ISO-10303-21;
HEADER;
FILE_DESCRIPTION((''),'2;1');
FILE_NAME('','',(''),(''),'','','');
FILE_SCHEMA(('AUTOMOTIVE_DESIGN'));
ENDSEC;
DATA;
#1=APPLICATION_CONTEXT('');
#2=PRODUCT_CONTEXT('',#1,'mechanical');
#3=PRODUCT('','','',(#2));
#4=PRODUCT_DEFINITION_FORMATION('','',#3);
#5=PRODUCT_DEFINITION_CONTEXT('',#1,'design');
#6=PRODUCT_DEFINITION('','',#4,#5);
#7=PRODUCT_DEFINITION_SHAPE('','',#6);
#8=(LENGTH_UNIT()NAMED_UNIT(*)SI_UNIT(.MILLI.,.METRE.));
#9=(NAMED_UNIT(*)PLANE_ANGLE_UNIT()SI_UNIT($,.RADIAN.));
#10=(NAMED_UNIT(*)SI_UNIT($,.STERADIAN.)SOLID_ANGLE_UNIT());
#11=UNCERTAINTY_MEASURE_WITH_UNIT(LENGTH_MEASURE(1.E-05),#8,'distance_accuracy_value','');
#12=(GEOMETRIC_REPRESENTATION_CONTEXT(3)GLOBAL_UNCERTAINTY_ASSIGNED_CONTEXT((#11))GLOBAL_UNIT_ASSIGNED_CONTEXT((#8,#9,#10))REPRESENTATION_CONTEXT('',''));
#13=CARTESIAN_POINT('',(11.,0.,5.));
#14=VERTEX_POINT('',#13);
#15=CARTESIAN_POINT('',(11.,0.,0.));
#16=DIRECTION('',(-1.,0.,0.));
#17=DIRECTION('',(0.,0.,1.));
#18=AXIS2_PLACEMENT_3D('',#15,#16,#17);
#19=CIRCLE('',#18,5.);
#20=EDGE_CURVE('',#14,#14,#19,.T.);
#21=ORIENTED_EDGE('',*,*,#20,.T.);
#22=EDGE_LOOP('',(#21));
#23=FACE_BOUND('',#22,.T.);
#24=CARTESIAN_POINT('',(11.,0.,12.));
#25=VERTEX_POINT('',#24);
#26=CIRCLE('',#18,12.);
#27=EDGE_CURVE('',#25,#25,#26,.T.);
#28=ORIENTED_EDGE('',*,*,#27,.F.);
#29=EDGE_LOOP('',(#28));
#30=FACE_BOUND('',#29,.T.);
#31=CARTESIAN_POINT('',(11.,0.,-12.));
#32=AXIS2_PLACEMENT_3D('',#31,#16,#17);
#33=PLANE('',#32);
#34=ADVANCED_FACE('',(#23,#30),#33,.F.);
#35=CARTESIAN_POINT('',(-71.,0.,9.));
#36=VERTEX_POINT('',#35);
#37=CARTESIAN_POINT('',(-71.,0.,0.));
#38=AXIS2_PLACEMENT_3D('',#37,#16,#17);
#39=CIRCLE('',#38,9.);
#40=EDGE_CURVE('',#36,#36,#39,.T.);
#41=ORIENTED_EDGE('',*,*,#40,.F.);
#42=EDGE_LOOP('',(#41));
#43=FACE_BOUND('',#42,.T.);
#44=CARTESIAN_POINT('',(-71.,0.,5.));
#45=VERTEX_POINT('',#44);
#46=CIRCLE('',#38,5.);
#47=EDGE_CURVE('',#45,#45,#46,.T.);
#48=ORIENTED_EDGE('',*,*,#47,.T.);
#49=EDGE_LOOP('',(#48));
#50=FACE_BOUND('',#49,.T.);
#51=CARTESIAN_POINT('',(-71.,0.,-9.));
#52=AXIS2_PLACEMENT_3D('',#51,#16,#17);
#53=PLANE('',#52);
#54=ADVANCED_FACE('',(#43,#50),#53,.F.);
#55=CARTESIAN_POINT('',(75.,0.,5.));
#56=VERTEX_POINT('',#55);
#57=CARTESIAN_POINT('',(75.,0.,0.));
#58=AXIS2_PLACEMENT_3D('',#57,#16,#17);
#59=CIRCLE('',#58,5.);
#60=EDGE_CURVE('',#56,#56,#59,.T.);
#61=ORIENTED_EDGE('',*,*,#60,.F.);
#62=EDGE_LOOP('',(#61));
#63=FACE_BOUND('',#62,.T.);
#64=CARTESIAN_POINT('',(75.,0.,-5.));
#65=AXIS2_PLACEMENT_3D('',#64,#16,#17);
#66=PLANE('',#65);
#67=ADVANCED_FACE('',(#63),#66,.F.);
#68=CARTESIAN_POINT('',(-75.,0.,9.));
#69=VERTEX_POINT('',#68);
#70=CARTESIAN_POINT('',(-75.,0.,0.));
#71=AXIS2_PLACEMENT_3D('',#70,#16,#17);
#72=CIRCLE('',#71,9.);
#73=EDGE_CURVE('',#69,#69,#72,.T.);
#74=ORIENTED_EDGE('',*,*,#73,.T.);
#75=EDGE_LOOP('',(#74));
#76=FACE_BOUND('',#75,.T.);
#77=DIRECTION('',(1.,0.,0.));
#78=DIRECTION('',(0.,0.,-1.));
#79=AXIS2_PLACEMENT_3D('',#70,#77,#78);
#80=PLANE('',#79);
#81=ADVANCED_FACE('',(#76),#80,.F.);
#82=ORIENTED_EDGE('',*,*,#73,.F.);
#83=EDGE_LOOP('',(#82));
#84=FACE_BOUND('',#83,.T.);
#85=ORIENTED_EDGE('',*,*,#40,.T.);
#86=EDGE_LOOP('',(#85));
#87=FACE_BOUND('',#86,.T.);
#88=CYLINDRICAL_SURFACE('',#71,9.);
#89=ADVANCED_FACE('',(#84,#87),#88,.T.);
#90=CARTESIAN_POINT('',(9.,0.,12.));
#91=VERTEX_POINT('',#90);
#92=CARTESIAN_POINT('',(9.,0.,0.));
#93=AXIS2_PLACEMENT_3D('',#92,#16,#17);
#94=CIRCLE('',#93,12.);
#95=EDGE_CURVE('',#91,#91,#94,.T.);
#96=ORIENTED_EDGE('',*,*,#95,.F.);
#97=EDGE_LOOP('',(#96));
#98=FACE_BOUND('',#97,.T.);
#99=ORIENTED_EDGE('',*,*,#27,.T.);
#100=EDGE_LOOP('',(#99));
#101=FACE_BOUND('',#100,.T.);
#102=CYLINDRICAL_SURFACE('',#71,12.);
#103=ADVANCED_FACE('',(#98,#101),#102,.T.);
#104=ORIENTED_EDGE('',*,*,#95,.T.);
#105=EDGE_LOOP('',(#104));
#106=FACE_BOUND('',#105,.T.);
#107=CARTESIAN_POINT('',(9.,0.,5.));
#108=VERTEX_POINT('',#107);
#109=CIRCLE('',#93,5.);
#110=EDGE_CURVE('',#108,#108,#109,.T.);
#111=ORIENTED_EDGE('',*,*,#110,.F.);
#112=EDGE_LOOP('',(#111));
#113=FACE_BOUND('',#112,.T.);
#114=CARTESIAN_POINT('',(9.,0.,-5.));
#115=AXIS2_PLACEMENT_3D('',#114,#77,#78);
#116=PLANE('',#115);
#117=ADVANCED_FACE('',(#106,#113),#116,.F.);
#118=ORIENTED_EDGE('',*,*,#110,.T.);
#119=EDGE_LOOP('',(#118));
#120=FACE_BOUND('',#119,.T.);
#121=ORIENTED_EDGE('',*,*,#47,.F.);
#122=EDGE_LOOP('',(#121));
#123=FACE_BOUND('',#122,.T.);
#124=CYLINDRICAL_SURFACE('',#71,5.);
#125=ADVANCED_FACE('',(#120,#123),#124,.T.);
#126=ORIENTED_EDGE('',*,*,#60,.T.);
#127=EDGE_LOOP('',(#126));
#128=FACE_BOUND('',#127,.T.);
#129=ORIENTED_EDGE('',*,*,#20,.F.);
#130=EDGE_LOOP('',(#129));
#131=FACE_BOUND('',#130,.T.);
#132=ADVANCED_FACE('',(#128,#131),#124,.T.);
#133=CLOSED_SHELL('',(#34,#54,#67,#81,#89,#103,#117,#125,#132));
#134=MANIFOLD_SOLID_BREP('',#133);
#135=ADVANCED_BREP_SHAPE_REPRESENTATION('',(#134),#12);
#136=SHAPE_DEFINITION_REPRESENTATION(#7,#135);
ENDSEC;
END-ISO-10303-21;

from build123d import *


with BuildPart() as part:
    # Sketch1 → Revolve1 (revolve)
    with BuildSketch(Plane(origin=(0, 0, 0), x_dir=(1, 0, 0), z_dir=(0, 1, 0)), mode=Mode.PRIVATE) as revolve1_sk:
        Polygon((-75, 0), (75, 0), (75, 5), (11, 5), (11, 12), (9, 12), (9, 5), (-71, 5), (-71, 9), (-75, 9), align=None)
    revolve(revolve1_sk.sketch.rotate(Axis((-75, 0, 0), (1, 0, 0)), 180), axis=Axis((-75, 0, 0), (1, 0, 0)))


solid = part.part
